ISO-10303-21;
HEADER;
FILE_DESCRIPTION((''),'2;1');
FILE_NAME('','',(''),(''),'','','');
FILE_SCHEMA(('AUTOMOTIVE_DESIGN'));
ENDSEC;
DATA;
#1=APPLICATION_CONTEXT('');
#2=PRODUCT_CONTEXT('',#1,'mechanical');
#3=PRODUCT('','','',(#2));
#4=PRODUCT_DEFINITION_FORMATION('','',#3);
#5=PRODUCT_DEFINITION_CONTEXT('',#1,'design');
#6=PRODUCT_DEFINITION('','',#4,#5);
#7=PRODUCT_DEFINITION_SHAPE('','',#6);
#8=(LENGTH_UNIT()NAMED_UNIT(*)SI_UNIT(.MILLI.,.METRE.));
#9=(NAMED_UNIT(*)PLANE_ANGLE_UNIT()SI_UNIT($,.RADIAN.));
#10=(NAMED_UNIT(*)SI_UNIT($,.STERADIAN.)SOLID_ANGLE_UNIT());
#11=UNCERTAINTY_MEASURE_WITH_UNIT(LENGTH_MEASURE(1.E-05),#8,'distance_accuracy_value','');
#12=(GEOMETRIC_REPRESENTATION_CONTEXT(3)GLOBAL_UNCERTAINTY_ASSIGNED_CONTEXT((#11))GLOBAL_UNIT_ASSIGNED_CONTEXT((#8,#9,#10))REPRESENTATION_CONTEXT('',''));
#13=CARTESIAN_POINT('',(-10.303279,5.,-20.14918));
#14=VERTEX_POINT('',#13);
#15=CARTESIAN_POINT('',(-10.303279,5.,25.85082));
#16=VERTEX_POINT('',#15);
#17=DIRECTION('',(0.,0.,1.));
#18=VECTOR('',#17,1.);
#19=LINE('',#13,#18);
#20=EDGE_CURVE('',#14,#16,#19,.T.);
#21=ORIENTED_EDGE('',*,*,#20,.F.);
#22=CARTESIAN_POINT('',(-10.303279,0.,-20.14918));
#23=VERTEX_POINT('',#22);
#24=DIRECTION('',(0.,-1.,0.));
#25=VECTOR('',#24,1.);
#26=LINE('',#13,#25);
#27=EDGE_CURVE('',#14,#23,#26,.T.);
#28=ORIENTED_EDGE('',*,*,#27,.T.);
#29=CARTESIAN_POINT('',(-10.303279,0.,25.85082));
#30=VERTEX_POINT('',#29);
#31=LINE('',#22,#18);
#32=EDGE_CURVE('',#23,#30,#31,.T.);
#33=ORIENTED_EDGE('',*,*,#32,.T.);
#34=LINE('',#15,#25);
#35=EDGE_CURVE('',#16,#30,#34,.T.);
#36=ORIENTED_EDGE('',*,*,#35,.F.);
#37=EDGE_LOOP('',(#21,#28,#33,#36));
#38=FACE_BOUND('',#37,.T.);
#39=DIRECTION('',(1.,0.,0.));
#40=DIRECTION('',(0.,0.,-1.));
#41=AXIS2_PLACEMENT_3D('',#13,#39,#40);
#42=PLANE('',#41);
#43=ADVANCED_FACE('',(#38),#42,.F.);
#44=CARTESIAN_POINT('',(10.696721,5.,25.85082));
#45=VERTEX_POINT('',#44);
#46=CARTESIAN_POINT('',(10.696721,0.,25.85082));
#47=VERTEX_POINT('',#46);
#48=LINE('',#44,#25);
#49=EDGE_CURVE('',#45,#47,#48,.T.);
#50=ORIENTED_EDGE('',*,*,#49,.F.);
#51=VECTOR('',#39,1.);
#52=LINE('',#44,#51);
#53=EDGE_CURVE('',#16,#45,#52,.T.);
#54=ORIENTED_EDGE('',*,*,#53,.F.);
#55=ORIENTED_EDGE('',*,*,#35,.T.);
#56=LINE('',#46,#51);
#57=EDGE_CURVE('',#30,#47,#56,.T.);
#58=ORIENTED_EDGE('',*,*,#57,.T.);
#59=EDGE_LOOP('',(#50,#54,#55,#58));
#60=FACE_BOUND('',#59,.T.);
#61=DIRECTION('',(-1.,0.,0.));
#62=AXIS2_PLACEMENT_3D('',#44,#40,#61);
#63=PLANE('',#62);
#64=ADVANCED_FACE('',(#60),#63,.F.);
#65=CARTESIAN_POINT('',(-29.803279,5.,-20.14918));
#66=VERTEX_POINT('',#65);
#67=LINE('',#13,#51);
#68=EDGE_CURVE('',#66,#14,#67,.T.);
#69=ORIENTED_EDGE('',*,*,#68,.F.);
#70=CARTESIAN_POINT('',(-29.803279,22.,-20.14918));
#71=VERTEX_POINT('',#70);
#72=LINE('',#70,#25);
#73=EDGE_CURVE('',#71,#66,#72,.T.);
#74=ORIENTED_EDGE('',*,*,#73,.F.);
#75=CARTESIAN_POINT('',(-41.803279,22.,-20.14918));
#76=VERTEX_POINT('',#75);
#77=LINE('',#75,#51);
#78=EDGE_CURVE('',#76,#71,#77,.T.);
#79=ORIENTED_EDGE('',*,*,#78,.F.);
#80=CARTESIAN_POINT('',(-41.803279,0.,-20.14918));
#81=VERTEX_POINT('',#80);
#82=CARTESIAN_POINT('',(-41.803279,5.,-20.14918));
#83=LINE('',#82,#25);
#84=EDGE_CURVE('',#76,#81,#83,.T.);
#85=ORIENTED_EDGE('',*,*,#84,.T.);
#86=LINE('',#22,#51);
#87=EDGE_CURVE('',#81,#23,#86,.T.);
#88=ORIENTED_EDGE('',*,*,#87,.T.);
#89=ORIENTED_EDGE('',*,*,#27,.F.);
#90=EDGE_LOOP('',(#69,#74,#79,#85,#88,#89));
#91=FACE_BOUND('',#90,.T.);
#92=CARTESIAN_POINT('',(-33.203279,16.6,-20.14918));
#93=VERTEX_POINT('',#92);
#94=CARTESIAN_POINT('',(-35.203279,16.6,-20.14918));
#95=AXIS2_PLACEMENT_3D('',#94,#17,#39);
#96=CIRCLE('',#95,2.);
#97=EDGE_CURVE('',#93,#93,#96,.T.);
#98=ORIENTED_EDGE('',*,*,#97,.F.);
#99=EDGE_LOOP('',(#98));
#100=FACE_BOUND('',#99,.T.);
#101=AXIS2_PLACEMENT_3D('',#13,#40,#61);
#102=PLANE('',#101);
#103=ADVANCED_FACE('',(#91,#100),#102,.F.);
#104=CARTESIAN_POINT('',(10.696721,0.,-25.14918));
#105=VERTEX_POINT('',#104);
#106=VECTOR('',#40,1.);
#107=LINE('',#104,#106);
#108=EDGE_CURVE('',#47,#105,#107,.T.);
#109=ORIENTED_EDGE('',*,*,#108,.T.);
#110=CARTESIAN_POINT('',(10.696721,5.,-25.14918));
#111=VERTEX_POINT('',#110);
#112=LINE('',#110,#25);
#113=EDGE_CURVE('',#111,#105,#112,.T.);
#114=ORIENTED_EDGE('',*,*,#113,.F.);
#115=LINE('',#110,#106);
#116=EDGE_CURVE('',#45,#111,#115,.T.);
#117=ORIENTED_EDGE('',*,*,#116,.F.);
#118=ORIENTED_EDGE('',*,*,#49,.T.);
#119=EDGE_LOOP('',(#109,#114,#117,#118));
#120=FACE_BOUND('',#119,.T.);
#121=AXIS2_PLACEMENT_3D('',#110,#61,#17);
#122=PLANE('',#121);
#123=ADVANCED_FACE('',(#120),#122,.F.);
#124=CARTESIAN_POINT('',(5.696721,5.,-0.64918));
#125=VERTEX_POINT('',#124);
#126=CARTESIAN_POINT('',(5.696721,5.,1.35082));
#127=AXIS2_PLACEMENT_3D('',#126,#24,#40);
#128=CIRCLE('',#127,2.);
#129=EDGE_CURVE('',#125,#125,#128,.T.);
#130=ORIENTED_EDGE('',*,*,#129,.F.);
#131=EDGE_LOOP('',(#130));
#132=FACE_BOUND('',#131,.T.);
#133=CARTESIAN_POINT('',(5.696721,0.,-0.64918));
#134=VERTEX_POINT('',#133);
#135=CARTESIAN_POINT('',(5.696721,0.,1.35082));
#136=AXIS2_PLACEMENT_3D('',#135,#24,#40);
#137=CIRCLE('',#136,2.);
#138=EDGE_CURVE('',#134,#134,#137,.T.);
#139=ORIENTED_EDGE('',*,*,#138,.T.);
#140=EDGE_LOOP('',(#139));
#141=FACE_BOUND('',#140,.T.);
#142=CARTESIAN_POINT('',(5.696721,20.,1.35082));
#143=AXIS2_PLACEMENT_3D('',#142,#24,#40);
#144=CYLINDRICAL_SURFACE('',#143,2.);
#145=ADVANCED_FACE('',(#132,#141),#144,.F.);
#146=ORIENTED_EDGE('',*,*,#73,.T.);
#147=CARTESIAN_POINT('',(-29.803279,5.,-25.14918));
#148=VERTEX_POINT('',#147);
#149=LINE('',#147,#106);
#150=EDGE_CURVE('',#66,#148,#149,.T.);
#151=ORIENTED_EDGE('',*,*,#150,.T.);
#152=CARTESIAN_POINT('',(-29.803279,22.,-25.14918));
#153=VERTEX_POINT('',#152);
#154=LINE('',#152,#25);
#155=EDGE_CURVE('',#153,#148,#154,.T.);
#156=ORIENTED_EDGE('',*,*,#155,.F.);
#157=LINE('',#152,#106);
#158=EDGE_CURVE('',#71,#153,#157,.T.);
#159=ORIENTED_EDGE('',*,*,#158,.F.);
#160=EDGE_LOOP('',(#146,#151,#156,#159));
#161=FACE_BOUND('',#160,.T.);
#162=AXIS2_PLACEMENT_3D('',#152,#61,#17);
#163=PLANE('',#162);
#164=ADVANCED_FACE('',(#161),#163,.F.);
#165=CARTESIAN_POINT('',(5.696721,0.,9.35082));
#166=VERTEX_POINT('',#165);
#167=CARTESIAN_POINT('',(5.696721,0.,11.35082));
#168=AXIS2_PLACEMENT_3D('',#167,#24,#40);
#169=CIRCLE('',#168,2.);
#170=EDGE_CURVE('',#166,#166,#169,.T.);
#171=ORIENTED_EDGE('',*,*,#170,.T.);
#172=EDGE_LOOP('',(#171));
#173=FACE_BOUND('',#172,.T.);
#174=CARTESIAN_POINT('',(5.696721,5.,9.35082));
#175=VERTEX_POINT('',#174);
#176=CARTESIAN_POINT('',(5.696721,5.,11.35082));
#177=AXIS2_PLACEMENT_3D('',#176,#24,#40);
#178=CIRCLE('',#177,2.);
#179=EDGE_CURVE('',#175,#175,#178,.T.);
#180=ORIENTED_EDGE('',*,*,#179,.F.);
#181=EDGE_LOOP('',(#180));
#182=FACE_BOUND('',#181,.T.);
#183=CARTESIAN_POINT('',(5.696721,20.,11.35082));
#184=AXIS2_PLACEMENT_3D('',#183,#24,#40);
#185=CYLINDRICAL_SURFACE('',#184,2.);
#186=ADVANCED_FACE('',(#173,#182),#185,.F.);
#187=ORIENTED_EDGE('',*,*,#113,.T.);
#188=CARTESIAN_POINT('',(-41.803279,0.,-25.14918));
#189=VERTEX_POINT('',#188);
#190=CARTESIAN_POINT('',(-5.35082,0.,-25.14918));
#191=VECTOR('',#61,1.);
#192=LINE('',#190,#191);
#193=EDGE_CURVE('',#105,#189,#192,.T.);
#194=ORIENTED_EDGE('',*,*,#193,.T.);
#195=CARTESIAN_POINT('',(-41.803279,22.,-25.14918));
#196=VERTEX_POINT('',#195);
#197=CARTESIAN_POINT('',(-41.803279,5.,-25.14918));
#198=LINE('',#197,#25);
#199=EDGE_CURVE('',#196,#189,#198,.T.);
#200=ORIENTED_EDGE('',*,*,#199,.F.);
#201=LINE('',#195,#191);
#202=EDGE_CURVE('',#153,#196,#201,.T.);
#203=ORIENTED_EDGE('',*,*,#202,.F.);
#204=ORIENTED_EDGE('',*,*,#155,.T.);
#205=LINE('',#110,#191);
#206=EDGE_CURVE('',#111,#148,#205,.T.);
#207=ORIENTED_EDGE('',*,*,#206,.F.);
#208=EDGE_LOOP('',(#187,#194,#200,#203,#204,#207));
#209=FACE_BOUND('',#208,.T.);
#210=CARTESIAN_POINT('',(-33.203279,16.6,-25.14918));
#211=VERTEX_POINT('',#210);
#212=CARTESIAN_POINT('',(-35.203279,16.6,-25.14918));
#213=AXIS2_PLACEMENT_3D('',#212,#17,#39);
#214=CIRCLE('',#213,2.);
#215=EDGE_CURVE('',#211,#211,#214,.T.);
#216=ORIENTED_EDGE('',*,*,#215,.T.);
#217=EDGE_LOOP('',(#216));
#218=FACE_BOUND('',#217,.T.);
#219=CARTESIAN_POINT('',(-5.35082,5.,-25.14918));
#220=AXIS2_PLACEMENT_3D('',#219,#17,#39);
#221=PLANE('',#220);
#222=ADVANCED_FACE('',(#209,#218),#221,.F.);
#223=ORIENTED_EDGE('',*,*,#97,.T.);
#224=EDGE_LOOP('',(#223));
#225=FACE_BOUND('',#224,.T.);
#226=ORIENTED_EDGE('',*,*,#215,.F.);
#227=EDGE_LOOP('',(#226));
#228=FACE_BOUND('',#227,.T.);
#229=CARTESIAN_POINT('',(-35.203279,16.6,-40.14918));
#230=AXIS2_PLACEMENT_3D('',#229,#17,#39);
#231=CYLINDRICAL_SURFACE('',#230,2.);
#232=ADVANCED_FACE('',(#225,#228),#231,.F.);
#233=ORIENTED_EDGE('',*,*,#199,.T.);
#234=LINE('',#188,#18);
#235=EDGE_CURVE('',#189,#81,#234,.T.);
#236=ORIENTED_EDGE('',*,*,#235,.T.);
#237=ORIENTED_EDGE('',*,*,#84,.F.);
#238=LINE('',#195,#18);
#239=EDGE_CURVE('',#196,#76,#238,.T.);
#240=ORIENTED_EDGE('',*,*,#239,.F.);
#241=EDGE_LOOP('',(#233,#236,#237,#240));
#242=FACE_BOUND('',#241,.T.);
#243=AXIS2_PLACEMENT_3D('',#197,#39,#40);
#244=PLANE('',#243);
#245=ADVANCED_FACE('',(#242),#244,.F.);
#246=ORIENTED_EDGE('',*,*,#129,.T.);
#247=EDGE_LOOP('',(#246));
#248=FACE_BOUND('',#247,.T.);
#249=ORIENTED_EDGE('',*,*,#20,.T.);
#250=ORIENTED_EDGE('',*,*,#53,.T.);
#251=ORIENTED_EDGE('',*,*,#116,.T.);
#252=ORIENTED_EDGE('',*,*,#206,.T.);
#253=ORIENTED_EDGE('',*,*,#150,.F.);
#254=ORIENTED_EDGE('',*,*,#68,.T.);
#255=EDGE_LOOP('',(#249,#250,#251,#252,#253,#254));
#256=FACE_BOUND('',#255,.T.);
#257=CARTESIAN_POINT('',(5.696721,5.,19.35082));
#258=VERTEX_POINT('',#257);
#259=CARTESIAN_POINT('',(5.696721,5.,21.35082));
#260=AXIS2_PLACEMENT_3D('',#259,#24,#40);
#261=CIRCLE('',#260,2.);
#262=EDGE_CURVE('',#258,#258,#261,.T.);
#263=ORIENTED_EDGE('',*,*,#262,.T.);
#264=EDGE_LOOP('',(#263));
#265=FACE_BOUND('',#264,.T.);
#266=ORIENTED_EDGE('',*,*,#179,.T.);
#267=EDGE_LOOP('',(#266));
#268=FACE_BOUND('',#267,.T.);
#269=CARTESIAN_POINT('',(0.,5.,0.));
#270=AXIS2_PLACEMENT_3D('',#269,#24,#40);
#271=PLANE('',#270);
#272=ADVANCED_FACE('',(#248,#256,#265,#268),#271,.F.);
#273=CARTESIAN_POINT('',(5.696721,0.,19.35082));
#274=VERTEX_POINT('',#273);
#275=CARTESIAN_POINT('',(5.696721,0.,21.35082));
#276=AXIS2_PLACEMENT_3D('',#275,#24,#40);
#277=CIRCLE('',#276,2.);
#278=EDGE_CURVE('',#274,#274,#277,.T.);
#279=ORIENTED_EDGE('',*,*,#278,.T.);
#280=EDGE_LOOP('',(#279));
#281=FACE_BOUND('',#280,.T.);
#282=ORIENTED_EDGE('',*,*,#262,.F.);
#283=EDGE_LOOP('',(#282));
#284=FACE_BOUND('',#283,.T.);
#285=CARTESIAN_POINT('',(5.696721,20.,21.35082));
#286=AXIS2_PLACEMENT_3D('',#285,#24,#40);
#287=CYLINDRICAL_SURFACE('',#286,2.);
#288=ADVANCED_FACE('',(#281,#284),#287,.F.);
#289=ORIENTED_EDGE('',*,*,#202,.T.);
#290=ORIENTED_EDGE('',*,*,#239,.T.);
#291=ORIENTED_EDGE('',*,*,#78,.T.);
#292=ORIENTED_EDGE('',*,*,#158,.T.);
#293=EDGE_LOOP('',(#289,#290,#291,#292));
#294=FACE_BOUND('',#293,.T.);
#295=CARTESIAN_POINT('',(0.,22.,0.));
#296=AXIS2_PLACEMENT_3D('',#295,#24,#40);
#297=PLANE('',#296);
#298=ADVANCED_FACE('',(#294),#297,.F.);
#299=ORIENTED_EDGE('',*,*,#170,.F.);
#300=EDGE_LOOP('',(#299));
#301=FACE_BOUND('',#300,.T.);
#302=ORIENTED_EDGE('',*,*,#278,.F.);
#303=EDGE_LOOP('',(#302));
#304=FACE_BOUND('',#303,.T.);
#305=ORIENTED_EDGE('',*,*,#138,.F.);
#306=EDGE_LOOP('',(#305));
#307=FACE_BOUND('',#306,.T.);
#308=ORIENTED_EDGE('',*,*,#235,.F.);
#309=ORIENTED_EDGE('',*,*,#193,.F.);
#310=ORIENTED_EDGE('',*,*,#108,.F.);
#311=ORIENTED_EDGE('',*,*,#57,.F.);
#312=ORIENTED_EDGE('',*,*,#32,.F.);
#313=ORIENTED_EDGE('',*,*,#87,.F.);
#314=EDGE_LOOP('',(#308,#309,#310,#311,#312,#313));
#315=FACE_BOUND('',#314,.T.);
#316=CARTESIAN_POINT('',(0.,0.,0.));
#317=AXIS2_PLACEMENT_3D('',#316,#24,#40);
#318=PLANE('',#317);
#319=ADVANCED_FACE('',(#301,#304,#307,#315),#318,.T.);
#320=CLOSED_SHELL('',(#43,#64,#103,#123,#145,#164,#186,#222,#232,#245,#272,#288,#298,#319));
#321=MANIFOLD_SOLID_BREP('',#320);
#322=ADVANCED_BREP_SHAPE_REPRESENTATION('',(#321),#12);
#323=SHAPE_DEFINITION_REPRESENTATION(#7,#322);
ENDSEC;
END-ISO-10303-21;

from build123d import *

# Parameters (mm, degrees)
SALIENTE_EXTRUIR1_DEPTH = 5
CROQUIS2_W              = 12
CROQUIS2_H              = 5
SALIENTE_EXTRUIR2_DEPTH = 17
CROQUIS3_R              = 2
CORTAR_EXTRUIR1_DEPTH   = 20
CROQUIS4_R              = 2
CORTAR_EXTRUIR2_DEPTH   = 20


with BuildPart() as part:
    # Croquis1 → Saliente-Extruir1 (new body)
    with BuildSketch(Plane(origin=(0, 0, 0), x_dir=(1, 0, 0), z_dir=(0, 1, 0))):
        Polygon((10.696721311, 25.149180328), (-5.350819672, 25.149180328), (-41.803278689, 25.149180328), (-41.803278689, 20.149180328), (-10.303278689, 20.149180328), (-10.303278689, -25.850819672), (10.696721311, -25.850819672), align=None)
    extrude(amount=SALIENTE_EXTRUIR1_DEPTH)

    # Croquis2 → Saliente-Extruir2 (add)
    with BuildSketch(Plane(origin=(0, 5, 0), x_dir=(1, 0, 0), z_dir=(0, 1, 0))):
        with Locations((-35.803278689, 22.649180328)):
            Rectangle(CROQUIS2_W, CROQUIS2_H)
    extrude(amount=SALIENTE_EXTRUIR2_DEPTH)

    # Croquis3 → Cortar-Extruir1 (cut)
    with BuildSketch(Plane.XZ):
        with Locations(Location((5.696721311, 21.350819672, 0), (0, 0, 270))):
            Circle(CROQUIS3_R)
        with Locations(Location((5.696721311, 11.350819672, 0), (0, 0, 270))):
            Circle(CROQUIS3_R)
        with Locations(Location((5.696721311, 1.350819672, 0), (0, 0, 270))):
            Circle(CROQUIS3_R)
    extrude(amount=-CORTAR_EXTRUIR1_DEPTH, mode=Mode.SUBTRACT)

    # Croquis4 → Cortar-Extruir2 (cut)
    with BuildSketch(Plane.XY.offset(-20.149180328)):
        with Locations((-35.203278689, 16.6)):
            Circle(CROQUIS4_R)
    extrude(amount=-CORTAR_EXTRUIR2_DEPTH, mode=Mode.SUBTRACT)


solid = part.part
